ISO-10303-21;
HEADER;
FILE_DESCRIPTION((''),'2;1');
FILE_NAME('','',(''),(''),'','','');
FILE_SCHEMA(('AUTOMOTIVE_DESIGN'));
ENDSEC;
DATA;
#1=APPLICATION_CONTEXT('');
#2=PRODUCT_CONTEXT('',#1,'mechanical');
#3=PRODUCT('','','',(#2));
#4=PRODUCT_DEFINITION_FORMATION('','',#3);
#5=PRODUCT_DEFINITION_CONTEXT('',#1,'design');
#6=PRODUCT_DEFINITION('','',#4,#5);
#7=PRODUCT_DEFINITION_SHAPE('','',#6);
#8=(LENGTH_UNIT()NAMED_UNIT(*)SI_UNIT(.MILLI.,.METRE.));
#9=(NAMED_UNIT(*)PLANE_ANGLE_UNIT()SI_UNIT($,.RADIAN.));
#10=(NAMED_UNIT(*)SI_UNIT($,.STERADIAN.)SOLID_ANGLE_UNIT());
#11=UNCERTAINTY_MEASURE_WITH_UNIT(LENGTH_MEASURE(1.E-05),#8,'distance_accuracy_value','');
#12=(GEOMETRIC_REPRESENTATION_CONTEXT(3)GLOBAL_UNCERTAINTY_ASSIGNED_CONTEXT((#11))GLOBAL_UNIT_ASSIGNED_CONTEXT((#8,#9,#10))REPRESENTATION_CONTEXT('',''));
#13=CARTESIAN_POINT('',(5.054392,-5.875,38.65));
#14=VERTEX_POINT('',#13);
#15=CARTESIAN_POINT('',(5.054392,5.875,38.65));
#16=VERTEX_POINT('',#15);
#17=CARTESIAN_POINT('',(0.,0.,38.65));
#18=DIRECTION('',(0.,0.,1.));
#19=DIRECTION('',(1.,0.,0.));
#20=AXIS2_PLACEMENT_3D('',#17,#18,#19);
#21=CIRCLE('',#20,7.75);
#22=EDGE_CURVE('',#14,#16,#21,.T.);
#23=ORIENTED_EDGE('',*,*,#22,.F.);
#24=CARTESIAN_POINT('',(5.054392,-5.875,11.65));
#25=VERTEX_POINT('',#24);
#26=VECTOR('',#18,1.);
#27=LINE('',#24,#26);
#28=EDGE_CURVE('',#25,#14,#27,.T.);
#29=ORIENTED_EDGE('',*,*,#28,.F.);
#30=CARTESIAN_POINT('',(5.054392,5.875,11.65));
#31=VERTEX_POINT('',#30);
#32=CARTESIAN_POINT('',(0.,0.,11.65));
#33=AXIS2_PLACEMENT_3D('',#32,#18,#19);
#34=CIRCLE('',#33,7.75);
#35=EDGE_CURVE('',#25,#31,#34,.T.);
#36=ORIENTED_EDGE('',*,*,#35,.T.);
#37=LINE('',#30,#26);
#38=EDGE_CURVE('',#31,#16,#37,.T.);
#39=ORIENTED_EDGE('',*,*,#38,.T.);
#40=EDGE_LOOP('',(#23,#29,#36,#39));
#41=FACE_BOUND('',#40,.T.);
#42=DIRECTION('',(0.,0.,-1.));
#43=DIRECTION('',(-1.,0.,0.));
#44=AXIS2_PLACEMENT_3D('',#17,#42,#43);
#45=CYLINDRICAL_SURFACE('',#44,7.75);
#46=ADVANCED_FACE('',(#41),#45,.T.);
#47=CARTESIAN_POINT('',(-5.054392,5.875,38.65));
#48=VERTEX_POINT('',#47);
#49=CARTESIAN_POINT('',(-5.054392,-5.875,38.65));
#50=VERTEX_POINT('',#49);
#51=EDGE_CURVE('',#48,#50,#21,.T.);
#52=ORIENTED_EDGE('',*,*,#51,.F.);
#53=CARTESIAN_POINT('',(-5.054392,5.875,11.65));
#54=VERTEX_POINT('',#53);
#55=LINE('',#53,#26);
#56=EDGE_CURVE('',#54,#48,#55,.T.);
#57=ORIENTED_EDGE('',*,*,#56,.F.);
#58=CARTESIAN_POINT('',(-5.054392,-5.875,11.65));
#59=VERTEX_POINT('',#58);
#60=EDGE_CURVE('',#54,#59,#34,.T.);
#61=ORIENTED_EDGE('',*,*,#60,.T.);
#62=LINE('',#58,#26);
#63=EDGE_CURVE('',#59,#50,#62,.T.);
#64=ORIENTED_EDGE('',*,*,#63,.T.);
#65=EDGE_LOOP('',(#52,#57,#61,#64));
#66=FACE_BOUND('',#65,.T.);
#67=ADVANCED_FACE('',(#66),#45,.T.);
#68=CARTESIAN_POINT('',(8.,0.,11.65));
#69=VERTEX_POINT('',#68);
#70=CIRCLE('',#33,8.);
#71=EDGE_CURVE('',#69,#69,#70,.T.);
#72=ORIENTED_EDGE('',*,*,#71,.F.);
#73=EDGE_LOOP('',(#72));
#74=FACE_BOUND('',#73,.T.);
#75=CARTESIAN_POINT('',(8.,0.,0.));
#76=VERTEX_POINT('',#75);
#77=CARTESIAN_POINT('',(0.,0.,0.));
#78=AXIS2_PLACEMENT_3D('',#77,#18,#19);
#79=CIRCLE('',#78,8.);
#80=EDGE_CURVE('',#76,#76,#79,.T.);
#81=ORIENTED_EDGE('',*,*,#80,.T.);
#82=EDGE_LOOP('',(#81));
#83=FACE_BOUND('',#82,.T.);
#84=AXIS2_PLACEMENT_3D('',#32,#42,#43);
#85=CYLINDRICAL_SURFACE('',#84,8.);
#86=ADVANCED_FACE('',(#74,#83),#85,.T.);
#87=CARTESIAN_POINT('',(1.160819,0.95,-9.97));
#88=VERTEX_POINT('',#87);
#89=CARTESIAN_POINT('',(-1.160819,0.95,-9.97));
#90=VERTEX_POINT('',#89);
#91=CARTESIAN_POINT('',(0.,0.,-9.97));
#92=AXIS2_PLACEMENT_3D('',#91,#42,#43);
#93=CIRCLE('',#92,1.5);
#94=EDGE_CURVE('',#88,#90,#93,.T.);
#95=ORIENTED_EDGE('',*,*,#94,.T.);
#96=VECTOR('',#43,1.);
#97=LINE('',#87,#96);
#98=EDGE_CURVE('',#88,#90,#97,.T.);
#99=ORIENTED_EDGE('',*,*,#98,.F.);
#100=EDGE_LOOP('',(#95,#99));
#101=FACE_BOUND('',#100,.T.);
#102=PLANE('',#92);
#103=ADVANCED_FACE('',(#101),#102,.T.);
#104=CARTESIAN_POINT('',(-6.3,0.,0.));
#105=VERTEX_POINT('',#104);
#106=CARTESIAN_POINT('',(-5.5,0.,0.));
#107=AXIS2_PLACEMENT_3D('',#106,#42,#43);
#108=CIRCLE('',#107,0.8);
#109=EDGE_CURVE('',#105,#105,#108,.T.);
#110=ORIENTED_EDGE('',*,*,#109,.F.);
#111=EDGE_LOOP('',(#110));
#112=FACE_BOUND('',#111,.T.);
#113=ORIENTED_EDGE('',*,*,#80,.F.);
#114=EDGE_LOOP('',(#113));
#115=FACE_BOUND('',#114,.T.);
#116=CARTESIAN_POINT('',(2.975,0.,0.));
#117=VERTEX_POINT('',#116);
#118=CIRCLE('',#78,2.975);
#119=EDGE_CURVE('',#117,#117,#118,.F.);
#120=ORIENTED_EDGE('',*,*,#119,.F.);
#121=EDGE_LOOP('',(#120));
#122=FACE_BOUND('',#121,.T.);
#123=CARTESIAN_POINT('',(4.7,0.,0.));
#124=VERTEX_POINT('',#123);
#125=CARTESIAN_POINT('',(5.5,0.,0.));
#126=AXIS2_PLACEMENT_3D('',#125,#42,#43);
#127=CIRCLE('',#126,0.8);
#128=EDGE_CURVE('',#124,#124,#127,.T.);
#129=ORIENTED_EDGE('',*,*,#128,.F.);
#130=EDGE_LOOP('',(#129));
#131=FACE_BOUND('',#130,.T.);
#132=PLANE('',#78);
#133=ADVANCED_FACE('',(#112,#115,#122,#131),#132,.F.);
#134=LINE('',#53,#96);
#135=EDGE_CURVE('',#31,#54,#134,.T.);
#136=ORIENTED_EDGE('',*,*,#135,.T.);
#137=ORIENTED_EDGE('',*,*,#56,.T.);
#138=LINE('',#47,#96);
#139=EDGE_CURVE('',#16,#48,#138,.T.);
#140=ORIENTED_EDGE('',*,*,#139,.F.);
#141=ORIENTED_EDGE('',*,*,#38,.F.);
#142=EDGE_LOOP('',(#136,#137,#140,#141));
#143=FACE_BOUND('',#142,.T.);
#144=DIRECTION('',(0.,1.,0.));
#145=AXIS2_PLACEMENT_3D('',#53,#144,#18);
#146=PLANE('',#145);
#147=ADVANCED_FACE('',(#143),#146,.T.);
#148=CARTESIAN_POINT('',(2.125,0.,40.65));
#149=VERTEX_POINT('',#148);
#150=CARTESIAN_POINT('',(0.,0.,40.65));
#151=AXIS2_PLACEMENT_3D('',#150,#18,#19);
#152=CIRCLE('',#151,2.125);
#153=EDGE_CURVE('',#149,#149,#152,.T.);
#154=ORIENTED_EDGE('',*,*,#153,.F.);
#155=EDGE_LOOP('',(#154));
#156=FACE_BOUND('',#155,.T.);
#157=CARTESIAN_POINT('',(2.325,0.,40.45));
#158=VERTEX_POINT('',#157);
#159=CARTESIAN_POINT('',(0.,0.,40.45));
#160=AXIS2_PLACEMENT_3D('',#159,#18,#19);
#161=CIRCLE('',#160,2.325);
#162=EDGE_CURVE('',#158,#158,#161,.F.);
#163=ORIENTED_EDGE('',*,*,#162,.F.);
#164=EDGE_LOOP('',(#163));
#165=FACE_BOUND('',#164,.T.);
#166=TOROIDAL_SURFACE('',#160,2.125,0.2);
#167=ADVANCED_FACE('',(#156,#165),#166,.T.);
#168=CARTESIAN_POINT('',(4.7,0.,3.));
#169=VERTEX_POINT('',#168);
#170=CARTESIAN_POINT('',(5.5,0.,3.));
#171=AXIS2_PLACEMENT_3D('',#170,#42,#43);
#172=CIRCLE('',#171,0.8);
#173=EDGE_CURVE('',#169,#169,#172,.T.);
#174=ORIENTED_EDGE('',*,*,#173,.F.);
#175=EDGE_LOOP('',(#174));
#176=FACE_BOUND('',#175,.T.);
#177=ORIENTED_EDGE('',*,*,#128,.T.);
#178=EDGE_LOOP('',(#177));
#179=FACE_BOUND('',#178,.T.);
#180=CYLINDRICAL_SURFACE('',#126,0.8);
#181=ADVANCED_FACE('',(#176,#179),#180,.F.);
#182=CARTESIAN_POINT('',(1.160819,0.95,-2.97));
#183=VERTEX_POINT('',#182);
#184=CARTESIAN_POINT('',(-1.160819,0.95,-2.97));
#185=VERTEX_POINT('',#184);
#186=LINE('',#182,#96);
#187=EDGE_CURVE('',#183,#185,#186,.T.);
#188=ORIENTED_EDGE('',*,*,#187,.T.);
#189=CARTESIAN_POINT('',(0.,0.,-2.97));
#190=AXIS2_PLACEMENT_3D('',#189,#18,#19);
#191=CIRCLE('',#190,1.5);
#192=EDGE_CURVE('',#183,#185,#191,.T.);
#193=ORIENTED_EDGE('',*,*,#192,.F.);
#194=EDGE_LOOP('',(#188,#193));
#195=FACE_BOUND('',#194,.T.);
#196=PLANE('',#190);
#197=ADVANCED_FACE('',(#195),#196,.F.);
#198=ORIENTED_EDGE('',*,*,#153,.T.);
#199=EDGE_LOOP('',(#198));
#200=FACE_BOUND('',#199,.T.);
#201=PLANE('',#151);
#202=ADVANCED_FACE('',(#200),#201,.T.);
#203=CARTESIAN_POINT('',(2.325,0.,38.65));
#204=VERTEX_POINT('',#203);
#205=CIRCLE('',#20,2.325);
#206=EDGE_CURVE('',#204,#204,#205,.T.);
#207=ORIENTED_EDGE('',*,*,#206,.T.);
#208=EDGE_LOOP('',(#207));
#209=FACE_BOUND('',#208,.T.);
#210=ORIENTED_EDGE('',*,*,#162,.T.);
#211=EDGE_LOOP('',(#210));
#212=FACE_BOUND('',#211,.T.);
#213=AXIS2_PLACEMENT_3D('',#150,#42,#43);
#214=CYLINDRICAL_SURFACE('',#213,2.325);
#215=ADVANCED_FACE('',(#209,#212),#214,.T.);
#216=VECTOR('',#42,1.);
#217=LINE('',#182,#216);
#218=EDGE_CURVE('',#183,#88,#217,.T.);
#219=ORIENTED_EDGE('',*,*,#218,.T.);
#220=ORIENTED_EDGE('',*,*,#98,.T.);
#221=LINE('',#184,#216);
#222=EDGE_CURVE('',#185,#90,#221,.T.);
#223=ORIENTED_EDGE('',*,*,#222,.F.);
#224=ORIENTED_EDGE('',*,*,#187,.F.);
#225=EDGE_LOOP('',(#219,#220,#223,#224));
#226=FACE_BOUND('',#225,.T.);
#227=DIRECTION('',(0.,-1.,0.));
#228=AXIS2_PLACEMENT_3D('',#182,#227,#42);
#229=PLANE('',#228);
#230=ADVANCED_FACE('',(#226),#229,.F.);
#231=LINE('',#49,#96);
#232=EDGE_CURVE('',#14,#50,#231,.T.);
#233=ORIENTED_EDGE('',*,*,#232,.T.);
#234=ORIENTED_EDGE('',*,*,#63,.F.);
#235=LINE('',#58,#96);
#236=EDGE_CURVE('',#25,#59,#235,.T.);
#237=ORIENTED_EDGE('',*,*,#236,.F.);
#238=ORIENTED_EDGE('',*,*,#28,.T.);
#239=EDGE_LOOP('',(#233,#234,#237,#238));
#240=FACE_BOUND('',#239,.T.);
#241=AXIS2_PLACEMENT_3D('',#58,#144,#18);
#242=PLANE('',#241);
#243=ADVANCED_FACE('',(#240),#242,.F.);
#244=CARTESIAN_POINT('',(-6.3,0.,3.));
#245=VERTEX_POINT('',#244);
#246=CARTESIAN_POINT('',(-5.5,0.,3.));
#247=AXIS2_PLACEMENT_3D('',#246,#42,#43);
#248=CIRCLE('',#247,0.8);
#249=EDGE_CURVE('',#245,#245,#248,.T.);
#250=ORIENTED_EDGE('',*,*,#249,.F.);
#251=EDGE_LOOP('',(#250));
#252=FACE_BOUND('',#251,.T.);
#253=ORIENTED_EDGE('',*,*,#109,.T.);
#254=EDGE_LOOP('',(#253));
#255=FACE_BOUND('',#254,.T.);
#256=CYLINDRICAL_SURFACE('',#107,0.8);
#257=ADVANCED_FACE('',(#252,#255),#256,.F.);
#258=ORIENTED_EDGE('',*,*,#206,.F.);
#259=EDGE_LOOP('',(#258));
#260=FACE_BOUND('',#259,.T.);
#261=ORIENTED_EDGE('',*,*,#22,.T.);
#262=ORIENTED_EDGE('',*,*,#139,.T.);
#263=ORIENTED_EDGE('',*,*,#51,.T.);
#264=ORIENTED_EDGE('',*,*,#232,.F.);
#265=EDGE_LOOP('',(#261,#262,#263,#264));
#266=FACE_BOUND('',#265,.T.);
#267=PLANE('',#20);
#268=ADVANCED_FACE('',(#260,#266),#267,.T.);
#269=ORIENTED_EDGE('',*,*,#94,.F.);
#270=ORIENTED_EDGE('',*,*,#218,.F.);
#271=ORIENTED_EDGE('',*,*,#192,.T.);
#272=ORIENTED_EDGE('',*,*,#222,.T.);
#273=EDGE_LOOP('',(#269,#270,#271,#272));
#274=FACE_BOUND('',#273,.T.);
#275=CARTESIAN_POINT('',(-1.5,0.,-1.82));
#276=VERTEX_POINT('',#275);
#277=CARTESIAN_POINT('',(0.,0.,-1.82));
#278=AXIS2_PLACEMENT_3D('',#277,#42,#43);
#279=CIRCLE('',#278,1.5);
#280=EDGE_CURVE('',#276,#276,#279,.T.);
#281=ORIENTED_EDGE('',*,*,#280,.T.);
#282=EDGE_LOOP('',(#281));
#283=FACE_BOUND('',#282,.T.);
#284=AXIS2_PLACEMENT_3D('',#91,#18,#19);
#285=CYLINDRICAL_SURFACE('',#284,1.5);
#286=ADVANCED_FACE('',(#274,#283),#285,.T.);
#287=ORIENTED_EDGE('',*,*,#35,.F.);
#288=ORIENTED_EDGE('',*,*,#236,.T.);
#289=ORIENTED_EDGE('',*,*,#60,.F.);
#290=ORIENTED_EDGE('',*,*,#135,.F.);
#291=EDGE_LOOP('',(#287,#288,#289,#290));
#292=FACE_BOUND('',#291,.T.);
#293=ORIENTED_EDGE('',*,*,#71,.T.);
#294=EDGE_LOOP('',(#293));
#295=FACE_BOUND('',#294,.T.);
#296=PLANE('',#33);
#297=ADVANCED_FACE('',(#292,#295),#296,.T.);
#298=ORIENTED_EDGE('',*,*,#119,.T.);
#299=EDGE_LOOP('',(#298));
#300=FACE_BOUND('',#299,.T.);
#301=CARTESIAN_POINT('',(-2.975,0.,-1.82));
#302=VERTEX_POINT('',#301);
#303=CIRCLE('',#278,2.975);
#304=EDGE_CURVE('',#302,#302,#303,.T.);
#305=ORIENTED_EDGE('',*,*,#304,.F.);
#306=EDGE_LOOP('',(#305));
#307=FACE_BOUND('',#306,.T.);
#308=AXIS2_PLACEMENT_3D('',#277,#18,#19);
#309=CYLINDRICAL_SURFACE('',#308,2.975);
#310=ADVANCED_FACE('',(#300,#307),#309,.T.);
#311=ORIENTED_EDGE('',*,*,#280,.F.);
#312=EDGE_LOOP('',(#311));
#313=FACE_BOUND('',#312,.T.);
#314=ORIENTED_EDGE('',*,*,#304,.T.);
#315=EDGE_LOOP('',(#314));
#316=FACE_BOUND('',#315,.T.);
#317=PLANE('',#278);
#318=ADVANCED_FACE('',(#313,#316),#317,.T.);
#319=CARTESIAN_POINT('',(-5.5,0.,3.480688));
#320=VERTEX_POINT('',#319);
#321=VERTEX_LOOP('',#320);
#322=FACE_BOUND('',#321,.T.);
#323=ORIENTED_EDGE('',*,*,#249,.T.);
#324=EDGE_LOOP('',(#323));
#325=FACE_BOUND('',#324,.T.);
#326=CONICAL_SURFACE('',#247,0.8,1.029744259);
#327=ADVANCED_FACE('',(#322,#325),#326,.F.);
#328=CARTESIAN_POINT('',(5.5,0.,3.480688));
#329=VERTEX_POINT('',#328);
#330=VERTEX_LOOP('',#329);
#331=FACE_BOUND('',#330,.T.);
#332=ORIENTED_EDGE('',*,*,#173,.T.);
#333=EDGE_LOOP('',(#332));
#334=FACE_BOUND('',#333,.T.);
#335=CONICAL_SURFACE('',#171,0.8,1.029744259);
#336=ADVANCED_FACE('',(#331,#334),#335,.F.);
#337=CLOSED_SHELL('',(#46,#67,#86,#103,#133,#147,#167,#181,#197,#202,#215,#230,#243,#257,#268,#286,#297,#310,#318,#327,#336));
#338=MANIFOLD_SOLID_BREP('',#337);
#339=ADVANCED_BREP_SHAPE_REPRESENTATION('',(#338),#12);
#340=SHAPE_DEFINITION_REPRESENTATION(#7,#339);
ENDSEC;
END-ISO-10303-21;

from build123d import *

# Parameters (mm, degrees)
SKETCH1_R                       = 8
BOSS_EXTRUDE1_DEPTH             = 11.65
SKETCH2_R                       = 2.975
BOSS_EXTRUDE2_DEPTH             = 1.82
SKETCH3_R                       = 1.5
BOSS_EXTRUDE3_DEPTH             = 8.15
SKETCH4_W                       = 2.321637354
SKETCH4_H                       = 1.249395682
CUT_EXTRUDE1_DEPTH              = 7
SKETCH5_R                       = 7.75
BOSS_EXTRUDE4_DEPTH             = 27
SKETCH6_W                       = 10.10878331
SKETCH6_H                       = 2.575875473
CUT_EXTRUDE2_DEPTH              = 27
SKETCH7_R                       = 2.325
BOSS_EXTRUDE6_DEPTH             = 2
FILLET1_R                       = 0.2
TAP_DRILL_FOR_M2X0_4_TAP1_D     = 1.6
TAP_DRILL_FOR_M2X0_4_TAP1_DEPTH = 3
TAP_DRILL_FOR_M2X0_4_TAP1_TIP   = 0.480688495


with BuildPart() as part:
    # Sketch1 → Boss-Extrude1 (new body)
    with BuildSketch(Plane.XY):
        Circle(SKETCH1_R)
    extrude(amount=BOSS_EXTRUDE1_DEPTH)

    # Sketch2 → Boss-Extrude2 (add)
    with BuildSketch(Plane(origin=(0, 0, 0), x_dir=(-1, 0, 0), z_dir=(0, 0, -1))):
        with Locations(Location((0, 0, 0), (0, 0, 180))):
            Circle(SKETCH2_R)
    extrude(amount=BOSS_EXTRUDE2_DEPTH)

    # Sketch3 → Boss-Extrude3 (add)
    with BuildSketch(Plane(origin=(0, 0, -1.82), x_dir=(-1, 0, 0), z_dir=(0, 0, -1))):
        Circle(SKETCH3_R)
    extrude(amount=BOSS_EXTRUDE3_DEPTH)

    # Sketch4 → Cut-Extrude1 (cut)
    with BuildSketch(Plane(origin=(0, 0, -9.97), x_dir=(-1, 0, 0), z_dir=(0, 0, -1))):
        with Locations((0, 1.574697841)):
            Rectangle(SKETCH4_W, SKETCH4_H)
    extrude(amount=-CUT_EXTRUDE1_DEPTH, mode=Mode.SUBTRACT)

    # Sketch5 → Boss-Extrude4 (add)
    with BuildSketch(Plane.XY.offset(11.65)):
        Circle(SKETCH5_R)
    extrude(amount=BOSS_EXTRUDE4_DEPTH)

    # Sketch6 → Cut-Extrude2 (cut)
    with BuildSketch(Plane.XY.offset(38.65)):
        with Locations((0, -7.162937736)):
            Rectangle(SKETCH6_W, SKETCH6_H)
    cut_extrude2 = extrude(amount=-CUT_EXTRUDE2_DEPTH, mode=Mode.SUBTRACT)

    # Mirror1: Cut-Extrude2 across plane
    add(cut_extrude2.mirror(Plane.ZX), mode=Mode.SUBTRACT)

    # Sketch7 → Boss-Extrude6 (add)
    with BuildSketch(Plane.XY.offset(38.65)):
        Circle(SKETCH7_R)
    extrude(amount=BOSS_EXTRUDE6_DEPTH)

    # Fillet1
    fillet1_edges = [part.edges().sort_by_distance(p)[0] for p in [
        (-2.325, 0, 40.65),
    ]]
    fillet(fillet1_edges, radius=FILLET1_R)

    # Tap Drill for M2x0.4 Tap1
    with Locations(Plane(origin=(0, 0, 0), x_dir=(-1, 0, 0), z_dir=(0, 0, -1))):
        with Locations((-5.5, 0), (5.5, 0)):
            Hole(TAP_DRILL_FOR_M2X0_4_TAP1_D / 2, depth=TAP_DRILL_FOR_M2X0_4_TAP1_DEPTH)
            with Locations((0, 0, -(TAP_DRILL_FOR_M2X0_4_TAP1_DEPTH + TAP_DRILL_FOR_M2X0_4_TAP1_TIP / 2))):  # 118° drill point
                Cone(0, TAP_DRILL_FOR_M2X0_4_TAP1_D / 2, TAP_DRILL_FOR_M2X0_4_TAP1_TIP, mode=Mode.SUBTRACT)


solid = part.part
